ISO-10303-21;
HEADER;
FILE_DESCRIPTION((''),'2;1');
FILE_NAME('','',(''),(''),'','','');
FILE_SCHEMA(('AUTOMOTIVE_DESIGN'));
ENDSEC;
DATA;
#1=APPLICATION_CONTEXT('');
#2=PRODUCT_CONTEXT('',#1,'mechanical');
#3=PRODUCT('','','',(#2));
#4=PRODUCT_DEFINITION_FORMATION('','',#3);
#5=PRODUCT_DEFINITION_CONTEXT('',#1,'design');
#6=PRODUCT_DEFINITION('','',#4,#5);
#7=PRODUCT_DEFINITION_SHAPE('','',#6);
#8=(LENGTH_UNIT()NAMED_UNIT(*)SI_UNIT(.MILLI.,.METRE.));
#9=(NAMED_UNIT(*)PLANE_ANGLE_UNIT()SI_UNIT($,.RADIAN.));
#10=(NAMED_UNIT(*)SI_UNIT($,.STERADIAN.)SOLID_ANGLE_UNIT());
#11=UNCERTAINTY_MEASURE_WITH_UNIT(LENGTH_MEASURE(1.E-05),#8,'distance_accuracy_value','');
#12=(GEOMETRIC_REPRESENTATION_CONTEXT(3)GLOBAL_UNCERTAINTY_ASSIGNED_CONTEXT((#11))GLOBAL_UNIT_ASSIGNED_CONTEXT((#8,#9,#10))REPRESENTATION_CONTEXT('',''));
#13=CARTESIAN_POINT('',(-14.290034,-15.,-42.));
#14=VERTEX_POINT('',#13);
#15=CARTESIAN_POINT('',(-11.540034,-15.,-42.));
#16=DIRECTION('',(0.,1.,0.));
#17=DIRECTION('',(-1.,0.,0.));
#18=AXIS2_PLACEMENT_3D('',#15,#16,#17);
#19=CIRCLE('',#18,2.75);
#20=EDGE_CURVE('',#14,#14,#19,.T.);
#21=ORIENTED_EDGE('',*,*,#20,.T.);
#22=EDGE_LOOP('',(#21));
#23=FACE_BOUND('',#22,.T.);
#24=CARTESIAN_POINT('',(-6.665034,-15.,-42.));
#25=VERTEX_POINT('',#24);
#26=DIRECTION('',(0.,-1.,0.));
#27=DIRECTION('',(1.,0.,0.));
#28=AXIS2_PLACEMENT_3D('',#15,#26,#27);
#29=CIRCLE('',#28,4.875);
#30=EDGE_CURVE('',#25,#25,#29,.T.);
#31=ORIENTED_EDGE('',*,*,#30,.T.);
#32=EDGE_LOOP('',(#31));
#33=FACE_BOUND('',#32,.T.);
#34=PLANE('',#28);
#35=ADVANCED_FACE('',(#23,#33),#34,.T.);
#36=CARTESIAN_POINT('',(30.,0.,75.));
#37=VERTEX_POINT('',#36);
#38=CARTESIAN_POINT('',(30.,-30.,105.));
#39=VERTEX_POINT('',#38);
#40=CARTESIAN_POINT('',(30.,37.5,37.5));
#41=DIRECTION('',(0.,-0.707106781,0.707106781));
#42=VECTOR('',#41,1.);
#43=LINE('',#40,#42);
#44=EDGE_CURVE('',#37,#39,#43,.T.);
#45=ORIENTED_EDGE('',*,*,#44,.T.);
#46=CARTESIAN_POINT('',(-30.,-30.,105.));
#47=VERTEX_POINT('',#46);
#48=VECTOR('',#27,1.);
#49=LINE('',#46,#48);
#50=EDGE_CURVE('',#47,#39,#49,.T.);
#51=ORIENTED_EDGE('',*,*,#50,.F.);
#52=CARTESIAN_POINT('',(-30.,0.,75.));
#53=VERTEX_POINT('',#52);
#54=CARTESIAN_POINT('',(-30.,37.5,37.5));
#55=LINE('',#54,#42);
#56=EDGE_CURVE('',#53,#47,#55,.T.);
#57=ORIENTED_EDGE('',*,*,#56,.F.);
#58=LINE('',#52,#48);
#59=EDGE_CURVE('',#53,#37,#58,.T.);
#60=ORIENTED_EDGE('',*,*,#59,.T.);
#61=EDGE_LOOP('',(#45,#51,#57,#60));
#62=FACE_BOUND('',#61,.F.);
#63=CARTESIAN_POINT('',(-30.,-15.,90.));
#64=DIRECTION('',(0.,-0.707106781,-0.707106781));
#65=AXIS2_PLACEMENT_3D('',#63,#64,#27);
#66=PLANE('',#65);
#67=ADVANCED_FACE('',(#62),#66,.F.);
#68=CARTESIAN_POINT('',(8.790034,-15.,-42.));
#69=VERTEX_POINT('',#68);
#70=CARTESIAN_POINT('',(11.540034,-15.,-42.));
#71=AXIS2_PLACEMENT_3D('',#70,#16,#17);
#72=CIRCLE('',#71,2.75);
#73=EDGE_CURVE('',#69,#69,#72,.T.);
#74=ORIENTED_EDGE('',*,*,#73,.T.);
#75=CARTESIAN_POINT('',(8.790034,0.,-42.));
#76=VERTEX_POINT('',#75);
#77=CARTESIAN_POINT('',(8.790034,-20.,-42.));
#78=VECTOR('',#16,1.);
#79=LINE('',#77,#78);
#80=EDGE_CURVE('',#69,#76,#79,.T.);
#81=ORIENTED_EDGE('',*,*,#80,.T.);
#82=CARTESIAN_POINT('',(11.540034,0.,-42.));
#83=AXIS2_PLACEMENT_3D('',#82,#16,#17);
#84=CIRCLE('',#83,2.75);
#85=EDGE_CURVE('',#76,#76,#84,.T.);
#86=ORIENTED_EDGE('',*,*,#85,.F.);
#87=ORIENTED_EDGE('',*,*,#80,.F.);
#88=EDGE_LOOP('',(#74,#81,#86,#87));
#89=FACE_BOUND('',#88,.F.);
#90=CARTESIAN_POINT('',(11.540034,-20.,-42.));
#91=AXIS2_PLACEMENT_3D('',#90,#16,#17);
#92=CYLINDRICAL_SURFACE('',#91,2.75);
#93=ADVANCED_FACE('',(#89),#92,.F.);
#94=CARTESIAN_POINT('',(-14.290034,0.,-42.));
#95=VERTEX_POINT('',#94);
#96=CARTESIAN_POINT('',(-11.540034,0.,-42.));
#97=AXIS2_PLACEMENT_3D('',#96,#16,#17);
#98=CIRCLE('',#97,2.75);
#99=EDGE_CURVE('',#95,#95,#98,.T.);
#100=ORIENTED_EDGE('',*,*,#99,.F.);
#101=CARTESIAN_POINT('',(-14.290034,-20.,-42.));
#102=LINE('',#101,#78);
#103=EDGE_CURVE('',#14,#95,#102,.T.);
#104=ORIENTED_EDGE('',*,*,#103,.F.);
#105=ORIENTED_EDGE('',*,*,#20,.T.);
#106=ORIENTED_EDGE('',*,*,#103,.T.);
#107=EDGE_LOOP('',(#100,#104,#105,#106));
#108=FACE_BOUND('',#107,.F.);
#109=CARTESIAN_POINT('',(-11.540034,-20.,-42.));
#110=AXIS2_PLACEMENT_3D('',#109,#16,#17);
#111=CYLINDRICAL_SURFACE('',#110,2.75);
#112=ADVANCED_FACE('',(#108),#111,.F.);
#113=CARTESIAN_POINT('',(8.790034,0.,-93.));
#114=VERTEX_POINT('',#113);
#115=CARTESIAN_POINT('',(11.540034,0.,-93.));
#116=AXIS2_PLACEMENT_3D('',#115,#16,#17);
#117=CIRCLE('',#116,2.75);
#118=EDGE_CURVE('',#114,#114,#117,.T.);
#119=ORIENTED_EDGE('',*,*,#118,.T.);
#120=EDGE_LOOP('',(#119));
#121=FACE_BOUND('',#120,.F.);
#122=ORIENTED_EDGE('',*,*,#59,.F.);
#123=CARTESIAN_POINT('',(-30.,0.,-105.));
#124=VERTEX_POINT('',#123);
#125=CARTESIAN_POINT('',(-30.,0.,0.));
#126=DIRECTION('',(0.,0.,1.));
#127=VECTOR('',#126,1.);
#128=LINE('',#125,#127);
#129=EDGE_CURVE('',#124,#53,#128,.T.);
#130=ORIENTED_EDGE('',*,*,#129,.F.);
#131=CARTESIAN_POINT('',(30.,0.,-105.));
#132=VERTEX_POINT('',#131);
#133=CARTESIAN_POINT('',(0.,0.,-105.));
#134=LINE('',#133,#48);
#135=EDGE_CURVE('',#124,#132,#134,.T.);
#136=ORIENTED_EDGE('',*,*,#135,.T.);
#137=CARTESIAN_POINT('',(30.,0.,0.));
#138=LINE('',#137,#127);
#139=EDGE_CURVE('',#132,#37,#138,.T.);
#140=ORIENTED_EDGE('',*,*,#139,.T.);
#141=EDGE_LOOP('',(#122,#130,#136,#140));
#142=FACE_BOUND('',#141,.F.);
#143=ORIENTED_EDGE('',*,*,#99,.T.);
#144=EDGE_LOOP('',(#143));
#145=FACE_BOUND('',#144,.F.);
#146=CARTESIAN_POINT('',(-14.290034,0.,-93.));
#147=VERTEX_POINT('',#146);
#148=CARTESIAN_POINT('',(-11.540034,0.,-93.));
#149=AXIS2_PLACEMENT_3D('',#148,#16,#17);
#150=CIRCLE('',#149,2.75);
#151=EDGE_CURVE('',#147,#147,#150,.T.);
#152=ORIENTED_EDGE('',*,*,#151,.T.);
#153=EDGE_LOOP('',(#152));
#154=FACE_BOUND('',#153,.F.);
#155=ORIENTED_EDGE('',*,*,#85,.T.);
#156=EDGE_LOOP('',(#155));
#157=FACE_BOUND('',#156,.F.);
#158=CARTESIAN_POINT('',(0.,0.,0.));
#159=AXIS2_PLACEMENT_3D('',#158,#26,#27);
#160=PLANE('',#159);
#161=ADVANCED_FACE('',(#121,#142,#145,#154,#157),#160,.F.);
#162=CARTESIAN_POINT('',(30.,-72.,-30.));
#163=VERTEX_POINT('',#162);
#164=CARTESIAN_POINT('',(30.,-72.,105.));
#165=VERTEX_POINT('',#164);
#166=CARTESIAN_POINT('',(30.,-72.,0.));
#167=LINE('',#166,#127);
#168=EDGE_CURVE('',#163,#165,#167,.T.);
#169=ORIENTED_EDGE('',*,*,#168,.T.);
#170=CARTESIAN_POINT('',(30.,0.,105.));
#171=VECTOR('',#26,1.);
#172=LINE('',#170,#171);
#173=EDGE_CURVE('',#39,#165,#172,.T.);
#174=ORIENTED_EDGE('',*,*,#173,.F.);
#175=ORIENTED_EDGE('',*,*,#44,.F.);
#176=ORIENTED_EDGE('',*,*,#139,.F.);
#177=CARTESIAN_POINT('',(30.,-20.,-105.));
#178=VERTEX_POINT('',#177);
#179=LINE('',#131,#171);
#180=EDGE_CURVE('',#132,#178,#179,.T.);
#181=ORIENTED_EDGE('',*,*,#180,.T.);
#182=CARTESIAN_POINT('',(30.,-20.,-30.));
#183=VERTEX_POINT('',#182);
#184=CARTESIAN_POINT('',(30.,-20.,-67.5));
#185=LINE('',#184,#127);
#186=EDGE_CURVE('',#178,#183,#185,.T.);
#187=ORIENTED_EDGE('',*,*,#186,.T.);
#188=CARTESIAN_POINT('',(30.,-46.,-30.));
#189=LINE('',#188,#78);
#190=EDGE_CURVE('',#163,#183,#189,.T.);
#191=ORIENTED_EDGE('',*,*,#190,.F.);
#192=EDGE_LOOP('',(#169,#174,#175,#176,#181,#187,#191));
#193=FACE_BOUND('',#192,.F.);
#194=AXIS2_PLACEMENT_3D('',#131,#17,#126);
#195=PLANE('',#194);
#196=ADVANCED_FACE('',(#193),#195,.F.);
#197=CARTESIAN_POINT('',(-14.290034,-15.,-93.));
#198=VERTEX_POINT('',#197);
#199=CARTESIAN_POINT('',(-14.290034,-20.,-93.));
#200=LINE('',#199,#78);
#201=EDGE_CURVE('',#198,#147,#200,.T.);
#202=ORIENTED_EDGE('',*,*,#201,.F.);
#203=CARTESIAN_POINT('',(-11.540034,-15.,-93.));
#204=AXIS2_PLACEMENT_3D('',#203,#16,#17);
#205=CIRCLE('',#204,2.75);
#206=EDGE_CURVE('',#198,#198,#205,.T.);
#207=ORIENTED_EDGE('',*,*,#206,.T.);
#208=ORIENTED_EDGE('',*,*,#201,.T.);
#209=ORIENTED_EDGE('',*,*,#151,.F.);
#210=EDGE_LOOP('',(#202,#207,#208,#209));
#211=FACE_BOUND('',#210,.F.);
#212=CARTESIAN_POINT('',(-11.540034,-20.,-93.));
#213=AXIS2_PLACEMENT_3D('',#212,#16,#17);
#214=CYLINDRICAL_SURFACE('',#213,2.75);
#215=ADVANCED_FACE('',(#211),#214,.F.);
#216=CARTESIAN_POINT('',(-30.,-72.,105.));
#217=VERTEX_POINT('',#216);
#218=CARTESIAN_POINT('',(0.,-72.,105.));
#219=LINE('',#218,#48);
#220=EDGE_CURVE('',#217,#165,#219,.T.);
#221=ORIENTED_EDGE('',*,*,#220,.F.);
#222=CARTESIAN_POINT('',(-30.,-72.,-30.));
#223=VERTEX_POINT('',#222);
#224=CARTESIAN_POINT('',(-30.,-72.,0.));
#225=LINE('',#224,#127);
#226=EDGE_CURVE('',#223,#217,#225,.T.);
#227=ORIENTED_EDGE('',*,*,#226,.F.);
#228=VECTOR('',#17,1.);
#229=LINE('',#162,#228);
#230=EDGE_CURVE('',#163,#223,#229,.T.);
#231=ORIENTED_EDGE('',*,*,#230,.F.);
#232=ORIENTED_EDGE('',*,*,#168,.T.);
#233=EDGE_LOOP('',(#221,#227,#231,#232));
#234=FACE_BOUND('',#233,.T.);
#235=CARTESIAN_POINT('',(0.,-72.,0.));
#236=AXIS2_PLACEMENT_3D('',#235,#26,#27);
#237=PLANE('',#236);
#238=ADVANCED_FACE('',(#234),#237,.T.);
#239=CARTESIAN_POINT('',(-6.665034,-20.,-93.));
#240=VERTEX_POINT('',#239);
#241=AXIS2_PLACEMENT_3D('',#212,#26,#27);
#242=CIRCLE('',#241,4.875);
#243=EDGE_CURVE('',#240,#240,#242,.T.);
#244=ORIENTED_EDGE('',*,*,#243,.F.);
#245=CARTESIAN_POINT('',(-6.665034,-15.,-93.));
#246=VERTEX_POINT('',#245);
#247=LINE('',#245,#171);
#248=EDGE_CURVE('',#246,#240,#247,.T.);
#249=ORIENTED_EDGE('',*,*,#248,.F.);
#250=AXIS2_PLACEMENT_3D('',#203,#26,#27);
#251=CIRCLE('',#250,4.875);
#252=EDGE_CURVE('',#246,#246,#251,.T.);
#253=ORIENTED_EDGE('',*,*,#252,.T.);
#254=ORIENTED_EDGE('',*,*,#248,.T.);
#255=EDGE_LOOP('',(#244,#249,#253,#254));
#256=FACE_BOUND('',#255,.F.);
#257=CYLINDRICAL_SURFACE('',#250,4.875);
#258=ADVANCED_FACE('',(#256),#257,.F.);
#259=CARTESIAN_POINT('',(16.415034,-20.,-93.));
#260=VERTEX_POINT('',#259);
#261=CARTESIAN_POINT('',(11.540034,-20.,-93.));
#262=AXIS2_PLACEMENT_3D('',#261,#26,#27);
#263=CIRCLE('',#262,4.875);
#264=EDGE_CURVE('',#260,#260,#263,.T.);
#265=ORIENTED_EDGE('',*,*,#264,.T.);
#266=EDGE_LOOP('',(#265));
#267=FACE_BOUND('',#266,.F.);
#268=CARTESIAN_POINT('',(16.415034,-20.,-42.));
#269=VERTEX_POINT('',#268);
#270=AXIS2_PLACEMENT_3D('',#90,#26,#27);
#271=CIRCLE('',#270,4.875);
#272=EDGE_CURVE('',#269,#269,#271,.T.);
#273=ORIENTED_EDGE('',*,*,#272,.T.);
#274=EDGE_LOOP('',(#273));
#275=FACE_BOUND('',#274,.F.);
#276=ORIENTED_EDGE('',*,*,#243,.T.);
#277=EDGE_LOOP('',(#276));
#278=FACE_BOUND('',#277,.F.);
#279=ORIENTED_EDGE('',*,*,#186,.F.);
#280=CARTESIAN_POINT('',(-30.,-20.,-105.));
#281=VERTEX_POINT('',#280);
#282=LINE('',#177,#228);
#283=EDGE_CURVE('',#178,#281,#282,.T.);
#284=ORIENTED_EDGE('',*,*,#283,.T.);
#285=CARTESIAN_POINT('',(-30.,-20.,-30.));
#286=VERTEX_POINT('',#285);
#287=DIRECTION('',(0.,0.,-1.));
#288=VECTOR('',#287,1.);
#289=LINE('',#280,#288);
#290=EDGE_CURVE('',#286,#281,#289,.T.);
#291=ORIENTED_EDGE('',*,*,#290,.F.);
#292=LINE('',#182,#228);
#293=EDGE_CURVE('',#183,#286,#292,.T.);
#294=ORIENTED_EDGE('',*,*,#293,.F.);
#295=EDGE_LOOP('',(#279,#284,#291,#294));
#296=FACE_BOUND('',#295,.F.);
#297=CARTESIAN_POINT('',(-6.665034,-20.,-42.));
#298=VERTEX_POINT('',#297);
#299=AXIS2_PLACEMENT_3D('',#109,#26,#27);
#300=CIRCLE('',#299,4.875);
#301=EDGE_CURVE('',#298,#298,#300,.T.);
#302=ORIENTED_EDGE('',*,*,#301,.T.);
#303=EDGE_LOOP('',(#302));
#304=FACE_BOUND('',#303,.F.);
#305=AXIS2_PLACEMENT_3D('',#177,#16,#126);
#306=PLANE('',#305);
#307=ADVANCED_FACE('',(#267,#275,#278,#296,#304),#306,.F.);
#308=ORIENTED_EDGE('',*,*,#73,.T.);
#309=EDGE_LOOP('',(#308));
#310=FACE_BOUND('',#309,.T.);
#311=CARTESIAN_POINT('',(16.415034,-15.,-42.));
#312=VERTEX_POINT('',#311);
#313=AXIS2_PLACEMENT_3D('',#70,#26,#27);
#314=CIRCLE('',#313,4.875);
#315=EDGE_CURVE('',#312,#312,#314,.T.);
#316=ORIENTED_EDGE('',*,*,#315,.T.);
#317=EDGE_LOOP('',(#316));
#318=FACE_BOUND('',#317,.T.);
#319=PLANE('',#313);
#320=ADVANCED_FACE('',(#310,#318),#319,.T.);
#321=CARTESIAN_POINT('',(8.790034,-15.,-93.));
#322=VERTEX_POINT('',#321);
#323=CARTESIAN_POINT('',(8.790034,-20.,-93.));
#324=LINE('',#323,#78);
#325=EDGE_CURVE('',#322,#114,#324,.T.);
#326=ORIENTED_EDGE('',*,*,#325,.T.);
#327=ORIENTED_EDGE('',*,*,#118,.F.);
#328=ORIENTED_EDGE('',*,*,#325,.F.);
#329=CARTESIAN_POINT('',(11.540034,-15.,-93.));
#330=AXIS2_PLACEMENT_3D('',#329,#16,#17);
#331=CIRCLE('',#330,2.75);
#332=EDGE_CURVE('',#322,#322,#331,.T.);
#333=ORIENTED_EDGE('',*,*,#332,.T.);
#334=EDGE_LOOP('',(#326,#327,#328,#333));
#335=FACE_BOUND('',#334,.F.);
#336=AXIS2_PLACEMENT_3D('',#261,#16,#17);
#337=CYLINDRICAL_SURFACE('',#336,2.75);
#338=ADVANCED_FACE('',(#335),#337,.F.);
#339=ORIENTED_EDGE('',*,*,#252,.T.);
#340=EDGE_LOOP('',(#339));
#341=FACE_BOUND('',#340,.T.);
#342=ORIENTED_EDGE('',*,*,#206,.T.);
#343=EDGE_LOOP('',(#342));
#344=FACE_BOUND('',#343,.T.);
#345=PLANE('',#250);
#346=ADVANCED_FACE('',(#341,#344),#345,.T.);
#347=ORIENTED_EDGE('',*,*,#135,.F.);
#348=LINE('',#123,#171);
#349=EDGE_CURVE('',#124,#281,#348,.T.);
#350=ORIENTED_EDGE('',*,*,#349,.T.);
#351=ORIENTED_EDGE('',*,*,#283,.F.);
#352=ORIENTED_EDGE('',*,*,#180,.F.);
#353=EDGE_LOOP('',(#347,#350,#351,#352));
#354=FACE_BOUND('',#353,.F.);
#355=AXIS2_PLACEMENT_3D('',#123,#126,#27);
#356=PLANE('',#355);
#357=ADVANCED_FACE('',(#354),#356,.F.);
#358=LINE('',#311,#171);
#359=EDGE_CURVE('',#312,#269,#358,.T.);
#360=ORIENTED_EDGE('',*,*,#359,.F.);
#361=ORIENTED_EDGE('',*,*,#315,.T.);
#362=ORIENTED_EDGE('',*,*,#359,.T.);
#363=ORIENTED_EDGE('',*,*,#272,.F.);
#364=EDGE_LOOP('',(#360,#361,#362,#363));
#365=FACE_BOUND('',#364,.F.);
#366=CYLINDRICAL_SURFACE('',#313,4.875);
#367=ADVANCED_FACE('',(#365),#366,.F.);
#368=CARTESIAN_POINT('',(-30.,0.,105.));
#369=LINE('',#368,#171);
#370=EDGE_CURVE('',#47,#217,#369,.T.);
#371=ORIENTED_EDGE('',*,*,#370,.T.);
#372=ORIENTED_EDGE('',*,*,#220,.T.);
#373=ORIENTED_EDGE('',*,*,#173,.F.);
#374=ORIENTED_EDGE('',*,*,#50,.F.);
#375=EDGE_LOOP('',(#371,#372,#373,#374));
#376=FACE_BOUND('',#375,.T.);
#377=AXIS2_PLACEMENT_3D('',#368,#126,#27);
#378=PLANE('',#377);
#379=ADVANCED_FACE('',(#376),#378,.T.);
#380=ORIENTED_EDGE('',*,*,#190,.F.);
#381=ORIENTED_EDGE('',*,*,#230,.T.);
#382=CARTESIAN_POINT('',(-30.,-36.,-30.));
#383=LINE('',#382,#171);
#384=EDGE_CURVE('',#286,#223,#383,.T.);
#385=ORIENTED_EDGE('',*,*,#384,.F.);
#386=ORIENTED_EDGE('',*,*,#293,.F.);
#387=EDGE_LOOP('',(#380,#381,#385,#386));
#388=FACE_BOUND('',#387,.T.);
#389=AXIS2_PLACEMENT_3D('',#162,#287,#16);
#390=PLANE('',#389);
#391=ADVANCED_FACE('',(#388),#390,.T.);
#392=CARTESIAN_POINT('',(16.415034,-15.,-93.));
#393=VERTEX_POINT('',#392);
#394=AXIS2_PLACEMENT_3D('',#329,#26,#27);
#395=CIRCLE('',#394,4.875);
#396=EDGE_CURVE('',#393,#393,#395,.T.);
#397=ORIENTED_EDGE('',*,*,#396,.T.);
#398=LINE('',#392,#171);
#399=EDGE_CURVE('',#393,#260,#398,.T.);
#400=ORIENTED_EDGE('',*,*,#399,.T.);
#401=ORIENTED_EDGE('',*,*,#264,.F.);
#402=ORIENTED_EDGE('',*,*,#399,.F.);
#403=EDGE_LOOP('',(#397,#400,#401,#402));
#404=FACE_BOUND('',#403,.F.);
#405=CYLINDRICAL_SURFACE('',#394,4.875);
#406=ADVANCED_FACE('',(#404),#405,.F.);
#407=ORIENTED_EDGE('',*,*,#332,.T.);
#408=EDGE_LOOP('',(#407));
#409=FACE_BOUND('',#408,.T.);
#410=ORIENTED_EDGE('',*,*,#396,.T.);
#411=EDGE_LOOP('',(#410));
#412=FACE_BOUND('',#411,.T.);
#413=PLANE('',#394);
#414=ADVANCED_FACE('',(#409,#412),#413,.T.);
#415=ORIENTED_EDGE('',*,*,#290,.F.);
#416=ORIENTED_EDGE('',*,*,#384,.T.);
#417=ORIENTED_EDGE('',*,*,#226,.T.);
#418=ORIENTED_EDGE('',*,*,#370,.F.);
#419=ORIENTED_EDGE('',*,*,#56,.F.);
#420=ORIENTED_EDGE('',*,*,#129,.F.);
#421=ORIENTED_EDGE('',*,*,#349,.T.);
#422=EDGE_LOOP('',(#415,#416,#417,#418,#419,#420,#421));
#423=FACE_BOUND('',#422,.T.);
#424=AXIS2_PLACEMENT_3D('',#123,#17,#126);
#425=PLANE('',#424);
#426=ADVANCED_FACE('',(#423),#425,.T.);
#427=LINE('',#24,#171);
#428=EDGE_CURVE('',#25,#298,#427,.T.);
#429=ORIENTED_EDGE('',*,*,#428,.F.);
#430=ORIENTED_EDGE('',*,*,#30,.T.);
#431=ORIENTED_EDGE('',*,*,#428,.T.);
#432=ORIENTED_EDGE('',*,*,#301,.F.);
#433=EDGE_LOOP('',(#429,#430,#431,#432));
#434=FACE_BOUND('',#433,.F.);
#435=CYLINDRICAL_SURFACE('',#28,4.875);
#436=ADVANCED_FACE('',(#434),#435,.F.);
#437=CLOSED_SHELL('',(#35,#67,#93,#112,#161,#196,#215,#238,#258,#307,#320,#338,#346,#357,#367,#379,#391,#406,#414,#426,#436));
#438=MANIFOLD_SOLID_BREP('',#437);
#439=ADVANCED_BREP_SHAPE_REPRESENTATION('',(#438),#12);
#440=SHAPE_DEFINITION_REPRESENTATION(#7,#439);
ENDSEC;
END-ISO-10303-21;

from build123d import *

# Parameters (mm, degrees)
F0_W           = 60
F0_H           = 210
F1_DEPTH       = 72
F2_W           = 52
F2_H           = 75
F3_DEPTH       = 60.001
F4_SIZE        = 30
F7_D           = 5.5
F7_CBORE_D     = 9.75
F7_CBORE_DEPTH = 5


with BuildPart() as f1:
    # F0 (on Front) → F1 (new body)
    with BuildSketch(Plane.XZ):
        Rectangle(F0_W, F0_H)
    extrude(amount=F1_DEPTH)

    # F2 (on face) → F3 (cut, through all)
    with BuildSketch(Plane.YZ.offset(30)):
        with Locations((-46, -67.5)):
            Rectangle(F2_W, F2_H)
    extrude(amount=-F3_DEPTH, mode=Mode.SUBTRACT)

    # F4
    f4_edges = [f1.edges().sort_by_distance(p)[0] for p in [
        (0, 0, 105),
    ]]
    chamfer(f4_edges, length=F4_SIZE)

    # F7 (through all)
    with Locations(Plane.XZ.offset(20)):
        with Locations((-11.5400338545, -42), (11.5400338545, -42), (-11.5400338545, -93), (11.5400338545, -93)):
            CounterBoreHole(F7_D / 2, F7_CBORE_D / 2, F7_CBORE_DEPTH)


solid = f1.part
